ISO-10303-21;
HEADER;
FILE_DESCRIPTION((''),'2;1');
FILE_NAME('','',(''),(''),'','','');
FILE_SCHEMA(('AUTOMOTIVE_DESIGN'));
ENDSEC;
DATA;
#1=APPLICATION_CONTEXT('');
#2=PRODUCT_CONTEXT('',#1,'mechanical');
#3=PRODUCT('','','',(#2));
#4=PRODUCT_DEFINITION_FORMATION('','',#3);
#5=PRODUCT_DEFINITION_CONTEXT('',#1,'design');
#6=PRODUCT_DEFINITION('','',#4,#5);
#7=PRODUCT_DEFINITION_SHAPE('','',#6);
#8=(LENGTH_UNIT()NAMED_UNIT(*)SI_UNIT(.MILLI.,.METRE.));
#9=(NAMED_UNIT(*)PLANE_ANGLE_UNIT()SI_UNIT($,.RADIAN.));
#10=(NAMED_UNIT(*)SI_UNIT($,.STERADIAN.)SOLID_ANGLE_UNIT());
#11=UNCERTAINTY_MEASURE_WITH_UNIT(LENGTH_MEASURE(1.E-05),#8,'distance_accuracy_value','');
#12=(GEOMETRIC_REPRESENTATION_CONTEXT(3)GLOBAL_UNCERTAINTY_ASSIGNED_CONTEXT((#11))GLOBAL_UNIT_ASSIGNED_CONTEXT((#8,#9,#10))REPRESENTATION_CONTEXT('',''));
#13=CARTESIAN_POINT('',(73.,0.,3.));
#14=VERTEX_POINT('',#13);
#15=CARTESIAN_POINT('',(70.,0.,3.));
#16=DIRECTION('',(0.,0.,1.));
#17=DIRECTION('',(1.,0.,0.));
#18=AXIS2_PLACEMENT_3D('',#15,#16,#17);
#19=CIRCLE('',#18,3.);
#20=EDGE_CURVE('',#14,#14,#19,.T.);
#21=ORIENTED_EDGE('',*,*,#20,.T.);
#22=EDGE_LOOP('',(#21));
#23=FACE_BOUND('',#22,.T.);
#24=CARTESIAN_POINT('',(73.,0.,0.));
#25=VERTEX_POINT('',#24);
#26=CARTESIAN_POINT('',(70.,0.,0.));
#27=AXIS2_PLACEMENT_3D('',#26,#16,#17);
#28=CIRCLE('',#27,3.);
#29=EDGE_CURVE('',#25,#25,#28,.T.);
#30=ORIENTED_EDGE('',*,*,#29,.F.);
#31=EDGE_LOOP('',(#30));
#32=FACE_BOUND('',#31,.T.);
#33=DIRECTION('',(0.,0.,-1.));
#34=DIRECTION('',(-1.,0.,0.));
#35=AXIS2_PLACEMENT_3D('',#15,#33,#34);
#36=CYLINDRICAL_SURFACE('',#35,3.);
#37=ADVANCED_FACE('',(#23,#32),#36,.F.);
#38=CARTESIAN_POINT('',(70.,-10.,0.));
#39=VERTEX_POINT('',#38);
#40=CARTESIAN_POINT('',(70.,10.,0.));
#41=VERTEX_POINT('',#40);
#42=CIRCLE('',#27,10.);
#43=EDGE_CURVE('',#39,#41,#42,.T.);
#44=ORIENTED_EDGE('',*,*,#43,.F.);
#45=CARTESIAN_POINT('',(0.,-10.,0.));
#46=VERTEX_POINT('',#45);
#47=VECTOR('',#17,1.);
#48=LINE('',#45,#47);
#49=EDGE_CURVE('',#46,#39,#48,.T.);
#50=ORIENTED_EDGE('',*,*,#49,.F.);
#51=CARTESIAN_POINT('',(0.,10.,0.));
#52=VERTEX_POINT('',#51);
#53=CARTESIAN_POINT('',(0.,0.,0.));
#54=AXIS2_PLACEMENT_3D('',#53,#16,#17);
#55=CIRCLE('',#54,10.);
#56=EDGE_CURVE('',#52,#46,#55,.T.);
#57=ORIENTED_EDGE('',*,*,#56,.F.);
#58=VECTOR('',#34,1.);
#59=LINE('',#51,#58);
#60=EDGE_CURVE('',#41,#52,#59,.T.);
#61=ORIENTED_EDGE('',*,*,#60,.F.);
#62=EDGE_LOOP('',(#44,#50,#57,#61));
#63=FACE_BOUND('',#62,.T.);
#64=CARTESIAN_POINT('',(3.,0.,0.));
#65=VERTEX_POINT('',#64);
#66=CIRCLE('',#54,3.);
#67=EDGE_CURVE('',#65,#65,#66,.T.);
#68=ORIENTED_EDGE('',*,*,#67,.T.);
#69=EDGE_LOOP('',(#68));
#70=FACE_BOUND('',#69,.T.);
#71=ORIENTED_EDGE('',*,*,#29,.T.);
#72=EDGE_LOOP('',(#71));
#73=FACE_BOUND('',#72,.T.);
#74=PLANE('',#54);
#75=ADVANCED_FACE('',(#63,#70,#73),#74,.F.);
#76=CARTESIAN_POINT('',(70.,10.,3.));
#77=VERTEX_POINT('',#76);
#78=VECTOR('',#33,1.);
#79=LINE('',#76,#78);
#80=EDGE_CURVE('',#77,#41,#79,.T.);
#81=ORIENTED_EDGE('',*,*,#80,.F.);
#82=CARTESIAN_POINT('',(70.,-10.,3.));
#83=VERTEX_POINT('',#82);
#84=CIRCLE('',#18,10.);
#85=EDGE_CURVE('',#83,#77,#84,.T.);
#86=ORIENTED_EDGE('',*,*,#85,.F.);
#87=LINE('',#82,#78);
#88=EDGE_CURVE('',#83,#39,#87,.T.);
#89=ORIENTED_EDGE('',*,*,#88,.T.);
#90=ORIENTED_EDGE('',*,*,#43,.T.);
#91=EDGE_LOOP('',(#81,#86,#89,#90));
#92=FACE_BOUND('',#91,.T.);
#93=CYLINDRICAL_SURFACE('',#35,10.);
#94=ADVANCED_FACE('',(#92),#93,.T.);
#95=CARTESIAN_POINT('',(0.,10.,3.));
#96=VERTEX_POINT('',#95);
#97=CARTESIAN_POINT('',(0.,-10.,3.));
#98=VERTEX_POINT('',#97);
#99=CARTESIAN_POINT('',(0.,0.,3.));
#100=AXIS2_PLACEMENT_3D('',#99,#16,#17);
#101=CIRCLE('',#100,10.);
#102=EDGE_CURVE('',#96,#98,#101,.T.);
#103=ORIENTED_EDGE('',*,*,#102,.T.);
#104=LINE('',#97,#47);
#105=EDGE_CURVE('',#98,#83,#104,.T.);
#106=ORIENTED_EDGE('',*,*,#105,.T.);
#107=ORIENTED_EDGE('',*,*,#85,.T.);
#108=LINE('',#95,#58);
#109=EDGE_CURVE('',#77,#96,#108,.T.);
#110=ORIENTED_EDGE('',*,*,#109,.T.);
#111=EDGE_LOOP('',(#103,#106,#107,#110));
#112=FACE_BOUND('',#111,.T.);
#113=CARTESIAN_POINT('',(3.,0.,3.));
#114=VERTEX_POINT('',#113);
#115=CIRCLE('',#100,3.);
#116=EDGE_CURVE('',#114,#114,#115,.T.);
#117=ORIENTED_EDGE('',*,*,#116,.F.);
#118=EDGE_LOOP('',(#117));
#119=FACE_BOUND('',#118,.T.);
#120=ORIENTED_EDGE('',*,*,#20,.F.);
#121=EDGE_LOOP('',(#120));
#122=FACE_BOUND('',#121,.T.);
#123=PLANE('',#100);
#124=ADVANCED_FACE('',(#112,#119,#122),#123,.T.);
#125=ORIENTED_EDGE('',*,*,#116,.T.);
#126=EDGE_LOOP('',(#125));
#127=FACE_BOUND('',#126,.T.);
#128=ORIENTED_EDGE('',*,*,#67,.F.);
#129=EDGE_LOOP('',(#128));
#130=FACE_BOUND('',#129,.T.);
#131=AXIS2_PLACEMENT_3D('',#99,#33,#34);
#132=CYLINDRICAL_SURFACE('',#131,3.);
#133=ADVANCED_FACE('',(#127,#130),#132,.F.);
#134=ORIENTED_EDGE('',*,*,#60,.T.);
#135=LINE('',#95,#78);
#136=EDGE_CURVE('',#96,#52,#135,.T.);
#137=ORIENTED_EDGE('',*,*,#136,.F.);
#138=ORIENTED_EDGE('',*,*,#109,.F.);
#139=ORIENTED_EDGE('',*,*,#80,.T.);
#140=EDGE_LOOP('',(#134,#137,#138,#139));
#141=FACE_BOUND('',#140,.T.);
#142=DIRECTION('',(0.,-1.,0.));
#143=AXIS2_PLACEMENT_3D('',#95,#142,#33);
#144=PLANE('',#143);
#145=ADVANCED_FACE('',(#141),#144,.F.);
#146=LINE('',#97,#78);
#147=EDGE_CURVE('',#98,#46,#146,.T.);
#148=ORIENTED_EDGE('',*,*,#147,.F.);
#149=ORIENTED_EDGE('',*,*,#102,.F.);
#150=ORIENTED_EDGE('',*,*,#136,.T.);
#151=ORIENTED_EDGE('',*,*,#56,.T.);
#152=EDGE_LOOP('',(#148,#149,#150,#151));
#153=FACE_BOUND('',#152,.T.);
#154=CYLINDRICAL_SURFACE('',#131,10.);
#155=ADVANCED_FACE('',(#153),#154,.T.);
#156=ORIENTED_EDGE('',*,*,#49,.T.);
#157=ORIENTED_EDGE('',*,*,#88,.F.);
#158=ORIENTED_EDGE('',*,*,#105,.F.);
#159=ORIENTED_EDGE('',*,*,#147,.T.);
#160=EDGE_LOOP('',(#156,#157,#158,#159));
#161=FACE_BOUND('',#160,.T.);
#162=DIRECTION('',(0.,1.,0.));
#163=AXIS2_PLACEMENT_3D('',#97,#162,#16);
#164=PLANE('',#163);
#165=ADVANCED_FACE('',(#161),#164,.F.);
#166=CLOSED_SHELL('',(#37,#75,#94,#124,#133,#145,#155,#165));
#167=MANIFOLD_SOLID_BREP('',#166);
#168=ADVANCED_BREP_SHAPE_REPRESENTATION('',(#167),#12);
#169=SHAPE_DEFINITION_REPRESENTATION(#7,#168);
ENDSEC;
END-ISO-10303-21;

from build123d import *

# Parameters (mm, degrees)
SKETCH_1_R      = 3
EXTRUDE_1_DEPTH = 3


with BuildPart() as part:
    # 草图1 → 凸台-拉伸1 (new body)
    with BuildSketch(Plane.XY):
        with BuildLine():
            Line((0, 10), (70, 10))
            ThreePointArc((70, 10), (80, 0), (70, -10))
            Line((70, -10), (0, -10))
            ThreePointArc((0, -10), (-10, 0), (0, 10))
        make_face()
        Circle(SKETCH_1_R, mode=Mode.SUBTRACT)
        with Locations((70, 0)):
            Circle(SKETCH_1_R, mode=Mode.SUBTRACT)
    extrude(amount=EXTRUDE_1_DEPTH)


solid = part.part
